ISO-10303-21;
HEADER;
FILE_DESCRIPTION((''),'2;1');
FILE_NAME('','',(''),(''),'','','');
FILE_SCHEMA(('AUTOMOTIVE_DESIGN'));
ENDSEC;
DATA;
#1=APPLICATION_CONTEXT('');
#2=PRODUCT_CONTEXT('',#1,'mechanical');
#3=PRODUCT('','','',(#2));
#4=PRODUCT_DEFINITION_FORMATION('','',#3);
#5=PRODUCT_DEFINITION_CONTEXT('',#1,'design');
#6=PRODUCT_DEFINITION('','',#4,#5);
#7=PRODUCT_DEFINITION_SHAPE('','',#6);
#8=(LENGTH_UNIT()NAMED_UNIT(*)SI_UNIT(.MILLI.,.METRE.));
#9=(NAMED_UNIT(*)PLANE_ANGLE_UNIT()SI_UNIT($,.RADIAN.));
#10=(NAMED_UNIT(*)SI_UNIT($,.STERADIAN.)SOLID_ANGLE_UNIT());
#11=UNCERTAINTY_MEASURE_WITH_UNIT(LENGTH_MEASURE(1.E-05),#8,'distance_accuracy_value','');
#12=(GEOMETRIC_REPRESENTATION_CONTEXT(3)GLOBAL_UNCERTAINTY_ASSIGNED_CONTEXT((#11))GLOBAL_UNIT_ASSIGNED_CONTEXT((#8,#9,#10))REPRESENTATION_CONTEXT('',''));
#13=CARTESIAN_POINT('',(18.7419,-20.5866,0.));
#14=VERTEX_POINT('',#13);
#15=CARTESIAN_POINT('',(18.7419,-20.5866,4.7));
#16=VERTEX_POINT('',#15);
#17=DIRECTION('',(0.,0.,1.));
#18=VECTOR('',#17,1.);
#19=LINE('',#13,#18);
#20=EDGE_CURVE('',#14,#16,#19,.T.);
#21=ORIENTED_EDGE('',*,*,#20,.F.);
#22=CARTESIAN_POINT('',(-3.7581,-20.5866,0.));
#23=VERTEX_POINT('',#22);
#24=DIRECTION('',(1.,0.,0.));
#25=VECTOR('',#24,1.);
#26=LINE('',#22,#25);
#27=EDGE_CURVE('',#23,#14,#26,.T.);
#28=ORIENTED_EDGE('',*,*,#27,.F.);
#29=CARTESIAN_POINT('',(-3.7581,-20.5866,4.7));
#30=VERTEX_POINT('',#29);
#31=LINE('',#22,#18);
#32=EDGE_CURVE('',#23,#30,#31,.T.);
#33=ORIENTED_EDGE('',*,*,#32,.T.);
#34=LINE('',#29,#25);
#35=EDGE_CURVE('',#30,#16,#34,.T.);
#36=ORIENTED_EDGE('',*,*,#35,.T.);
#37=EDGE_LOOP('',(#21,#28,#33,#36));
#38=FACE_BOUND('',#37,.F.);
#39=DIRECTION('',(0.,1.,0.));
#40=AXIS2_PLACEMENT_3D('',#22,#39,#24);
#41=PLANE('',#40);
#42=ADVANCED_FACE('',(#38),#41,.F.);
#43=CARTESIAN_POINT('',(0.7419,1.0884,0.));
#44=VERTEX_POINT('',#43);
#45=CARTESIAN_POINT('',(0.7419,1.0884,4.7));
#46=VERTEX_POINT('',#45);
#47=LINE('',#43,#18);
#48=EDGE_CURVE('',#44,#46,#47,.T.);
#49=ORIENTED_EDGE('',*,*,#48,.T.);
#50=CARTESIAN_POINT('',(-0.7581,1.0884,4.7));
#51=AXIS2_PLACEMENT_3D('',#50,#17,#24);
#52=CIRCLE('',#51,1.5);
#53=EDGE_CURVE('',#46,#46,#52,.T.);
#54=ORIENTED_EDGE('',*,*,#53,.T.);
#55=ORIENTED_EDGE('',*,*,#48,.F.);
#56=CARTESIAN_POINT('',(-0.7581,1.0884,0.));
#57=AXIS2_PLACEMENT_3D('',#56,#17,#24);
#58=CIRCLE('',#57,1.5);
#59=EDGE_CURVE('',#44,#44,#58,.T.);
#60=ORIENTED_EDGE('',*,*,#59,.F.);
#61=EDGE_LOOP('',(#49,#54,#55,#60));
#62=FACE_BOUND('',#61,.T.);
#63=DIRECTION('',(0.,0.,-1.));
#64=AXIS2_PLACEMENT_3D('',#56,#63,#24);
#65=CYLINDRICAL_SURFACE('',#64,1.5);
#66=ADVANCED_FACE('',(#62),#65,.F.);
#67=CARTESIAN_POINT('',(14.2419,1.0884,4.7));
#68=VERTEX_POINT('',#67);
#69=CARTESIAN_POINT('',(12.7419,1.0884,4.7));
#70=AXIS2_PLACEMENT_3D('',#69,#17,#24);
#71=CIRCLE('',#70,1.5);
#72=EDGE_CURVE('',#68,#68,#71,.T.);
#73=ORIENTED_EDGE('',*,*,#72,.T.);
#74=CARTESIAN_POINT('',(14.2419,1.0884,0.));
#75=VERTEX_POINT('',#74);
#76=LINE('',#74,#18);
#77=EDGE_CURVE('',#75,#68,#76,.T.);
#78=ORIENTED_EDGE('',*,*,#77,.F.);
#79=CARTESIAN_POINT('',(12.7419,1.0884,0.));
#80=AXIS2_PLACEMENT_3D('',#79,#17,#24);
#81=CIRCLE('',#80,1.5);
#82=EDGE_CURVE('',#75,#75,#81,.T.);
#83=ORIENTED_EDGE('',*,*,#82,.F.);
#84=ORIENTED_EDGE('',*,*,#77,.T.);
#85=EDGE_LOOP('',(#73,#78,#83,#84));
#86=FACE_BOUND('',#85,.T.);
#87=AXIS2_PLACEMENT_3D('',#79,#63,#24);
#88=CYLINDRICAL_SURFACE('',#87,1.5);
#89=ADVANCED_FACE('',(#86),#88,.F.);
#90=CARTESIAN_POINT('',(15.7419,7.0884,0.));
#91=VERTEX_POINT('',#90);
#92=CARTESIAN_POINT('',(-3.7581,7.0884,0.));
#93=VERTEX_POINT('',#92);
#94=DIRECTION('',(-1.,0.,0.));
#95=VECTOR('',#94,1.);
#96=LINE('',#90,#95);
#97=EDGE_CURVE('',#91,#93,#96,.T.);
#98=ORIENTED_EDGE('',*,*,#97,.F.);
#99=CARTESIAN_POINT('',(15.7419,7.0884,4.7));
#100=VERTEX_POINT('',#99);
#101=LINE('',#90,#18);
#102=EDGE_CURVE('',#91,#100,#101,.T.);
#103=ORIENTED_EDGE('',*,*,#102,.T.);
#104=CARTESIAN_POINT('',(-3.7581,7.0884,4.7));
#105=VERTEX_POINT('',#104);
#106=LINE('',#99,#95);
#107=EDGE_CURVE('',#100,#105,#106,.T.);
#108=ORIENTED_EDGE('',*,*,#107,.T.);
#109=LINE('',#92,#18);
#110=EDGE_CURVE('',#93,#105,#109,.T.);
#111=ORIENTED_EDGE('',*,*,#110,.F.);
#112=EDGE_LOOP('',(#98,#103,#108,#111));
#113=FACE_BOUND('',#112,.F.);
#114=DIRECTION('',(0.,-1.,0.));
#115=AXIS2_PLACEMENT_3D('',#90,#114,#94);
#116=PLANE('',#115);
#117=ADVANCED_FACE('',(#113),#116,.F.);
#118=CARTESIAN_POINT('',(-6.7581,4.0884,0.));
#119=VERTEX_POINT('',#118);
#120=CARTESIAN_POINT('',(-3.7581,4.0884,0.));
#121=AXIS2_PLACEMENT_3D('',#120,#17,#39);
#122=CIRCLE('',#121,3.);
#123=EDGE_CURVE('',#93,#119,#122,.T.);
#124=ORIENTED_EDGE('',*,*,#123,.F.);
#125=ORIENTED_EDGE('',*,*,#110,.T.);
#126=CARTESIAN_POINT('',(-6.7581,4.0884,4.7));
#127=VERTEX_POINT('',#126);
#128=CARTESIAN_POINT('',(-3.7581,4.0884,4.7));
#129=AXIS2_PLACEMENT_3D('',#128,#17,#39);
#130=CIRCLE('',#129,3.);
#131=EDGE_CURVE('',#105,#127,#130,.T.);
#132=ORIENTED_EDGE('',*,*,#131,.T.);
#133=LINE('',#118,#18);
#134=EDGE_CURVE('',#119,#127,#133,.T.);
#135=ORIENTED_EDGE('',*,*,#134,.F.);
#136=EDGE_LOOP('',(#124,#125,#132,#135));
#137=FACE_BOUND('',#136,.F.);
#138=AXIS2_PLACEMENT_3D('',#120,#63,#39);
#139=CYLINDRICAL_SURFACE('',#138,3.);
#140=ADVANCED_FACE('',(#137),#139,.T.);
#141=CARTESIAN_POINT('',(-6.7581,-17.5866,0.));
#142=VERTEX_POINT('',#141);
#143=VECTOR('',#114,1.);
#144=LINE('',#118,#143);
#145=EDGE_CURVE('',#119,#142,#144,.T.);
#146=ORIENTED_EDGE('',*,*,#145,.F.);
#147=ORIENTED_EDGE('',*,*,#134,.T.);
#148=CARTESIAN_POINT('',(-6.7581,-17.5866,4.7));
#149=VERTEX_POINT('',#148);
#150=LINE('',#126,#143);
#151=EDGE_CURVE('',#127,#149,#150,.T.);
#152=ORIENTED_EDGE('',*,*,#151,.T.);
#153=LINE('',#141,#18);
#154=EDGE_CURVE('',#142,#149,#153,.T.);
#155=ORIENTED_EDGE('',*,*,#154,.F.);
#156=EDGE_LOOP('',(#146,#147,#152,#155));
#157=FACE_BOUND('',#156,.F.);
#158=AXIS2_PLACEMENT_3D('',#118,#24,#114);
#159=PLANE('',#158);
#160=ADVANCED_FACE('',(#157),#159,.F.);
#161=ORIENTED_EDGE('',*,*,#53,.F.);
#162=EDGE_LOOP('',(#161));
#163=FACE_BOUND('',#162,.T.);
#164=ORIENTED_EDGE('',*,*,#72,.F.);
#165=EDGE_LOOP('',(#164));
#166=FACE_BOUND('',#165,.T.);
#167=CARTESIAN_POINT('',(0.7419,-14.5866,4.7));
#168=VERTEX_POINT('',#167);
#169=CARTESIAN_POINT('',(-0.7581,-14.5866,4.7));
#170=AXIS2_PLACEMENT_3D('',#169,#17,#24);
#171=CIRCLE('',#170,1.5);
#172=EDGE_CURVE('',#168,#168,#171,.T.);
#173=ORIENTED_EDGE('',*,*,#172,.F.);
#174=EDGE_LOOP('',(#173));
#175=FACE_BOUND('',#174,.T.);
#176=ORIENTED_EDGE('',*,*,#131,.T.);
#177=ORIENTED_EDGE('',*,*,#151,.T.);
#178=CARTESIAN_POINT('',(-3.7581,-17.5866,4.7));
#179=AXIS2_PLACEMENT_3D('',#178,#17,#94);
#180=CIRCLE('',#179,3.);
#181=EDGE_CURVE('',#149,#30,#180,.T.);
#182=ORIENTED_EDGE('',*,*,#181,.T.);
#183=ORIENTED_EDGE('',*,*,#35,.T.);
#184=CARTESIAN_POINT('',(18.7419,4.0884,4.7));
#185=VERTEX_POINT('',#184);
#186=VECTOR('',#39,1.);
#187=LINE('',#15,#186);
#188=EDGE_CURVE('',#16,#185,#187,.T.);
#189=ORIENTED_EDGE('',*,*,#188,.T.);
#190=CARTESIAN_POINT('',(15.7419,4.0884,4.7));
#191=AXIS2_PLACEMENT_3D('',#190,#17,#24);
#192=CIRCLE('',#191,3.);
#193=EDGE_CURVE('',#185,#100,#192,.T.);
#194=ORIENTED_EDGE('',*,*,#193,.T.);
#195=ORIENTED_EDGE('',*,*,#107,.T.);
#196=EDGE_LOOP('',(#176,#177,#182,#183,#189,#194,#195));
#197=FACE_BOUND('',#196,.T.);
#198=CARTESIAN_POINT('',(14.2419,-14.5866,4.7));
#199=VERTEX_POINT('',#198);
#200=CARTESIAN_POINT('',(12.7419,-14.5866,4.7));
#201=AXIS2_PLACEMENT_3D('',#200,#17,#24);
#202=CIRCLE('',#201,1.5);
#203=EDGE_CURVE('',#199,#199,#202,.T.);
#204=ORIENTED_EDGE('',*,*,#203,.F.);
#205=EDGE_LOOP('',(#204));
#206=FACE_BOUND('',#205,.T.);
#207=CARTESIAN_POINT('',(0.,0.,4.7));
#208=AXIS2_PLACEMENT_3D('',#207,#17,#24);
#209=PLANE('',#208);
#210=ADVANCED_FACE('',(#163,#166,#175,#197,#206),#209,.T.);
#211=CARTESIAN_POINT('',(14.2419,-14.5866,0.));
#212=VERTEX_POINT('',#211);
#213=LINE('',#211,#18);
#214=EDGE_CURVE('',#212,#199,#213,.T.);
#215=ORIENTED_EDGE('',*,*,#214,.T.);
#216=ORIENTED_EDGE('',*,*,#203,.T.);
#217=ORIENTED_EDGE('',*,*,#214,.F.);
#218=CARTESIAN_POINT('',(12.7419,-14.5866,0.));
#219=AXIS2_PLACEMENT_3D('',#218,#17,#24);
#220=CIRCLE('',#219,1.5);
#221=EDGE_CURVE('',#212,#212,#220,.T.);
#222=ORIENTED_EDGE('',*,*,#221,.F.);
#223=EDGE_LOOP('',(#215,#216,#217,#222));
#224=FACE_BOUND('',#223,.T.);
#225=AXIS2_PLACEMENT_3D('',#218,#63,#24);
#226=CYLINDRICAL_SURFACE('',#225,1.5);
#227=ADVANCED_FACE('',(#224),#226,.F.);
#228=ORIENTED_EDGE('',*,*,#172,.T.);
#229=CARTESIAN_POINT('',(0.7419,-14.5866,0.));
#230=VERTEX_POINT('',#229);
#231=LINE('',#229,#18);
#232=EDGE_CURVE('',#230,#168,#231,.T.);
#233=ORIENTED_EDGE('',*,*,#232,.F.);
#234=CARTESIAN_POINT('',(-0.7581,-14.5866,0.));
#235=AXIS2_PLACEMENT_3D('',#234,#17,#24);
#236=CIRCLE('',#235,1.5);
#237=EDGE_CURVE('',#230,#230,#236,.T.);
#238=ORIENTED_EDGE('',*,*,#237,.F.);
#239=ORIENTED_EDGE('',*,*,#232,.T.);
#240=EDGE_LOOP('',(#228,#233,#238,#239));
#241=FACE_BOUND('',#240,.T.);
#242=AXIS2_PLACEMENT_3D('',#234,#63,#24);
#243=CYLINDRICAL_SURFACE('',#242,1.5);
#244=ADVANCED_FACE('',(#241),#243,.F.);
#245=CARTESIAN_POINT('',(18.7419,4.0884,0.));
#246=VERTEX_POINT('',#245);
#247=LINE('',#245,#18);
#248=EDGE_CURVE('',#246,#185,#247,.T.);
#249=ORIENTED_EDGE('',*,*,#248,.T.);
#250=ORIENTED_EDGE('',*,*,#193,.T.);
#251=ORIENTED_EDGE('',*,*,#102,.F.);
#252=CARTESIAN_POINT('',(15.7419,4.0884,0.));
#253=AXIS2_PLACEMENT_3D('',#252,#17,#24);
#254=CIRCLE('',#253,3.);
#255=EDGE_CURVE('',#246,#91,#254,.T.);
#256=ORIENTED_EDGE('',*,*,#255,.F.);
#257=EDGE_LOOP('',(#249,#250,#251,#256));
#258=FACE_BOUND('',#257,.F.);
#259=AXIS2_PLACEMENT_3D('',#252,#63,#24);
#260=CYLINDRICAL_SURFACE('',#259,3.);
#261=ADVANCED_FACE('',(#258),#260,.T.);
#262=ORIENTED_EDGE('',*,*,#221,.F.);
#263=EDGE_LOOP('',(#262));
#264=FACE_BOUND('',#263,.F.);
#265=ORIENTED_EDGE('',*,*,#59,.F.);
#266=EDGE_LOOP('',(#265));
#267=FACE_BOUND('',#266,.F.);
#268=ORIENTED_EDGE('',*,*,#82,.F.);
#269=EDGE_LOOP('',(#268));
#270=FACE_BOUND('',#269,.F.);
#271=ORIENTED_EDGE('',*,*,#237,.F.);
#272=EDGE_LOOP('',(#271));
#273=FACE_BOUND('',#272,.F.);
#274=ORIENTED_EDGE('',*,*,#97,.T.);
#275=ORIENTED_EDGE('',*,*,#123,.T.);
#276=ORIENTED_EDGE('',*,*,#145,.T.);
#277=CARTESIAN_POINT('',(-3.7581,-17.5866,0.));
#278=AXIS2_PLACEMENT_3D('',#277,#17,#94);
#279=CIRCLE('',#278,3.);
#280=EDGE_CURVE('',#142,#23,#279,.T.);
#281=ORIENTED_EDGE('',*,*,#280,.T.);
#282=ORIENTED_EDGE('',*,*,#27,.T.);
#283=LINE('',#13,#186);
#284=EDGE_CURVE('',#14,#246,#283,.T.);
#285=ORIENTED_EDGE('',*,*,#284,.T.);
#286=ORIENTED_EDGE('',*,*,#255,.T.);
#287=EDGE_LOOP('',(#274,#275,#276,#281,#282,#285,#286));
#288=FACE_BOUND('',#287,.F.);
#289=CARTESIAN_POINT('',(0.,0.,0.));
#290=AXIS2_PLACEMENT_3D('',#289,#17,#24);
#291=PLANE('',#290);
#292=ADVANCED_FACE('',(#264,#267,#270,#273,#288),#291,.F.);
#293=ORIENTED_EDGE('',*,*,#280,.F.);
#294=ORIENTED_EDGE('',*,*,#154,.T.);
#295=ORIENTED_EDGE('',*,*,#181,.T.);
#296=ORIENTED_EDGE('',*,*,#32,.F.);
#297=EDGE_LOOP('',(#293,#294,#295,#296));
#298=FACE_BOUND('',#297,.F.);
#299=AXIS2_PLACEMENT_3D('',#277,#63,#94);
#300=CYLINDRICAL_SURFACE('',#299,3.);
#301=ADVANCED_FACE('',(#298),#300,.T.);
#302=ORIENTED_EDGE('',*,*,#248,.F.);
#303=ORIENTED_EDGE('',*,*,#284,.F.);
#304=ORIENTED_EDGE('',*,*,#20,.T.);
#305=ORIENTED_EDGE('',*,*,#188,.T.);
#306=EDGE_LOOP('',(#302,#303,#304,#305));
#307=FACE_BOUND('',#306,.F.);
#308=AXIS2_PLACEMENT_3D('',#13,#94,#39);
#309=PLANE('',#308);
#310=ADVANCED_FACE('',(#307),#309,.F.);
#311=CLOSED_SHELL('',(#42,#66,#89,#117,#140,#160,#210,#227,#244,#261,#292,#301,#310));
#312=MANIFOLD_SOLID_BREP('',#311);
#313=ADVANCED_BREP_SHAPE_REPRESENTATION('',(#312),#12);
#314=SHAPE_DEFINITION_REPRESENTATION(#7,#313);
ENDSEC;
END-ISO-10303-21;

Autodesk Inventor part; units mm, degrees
ref_plane "YZ Plane" through (0, 0, 0) normal (1, 0, 0) x (0, 1, 0)
ref_plane "XZ Plane" through (0, 0, 0) normal (0, 1, 0) x (-1, 0, 0)
ref_plane "XY Plane" through (0, 0, 0) normal (0, 0, 1) x (1, 0, 0)
sketch "Szkic1" plane through (0, 0, 0) normal (0, 0, 1) x (1, 0, 0)
  arc A0 (18.7419, 4.0884) -> (15.7419, 7.0884) centre (15.7419, 4.0884) ccw
  line L0 (15.7419, 7.0884) -> (-3.7581, 7.0884)
  arc A1 (-3.7581, 7.0884) -> (-6.7581, 4.0884) centre (-3.7581, 4.0884) ccw
  line L1 (-6.7581, 4.0884) -> (-6.7581, -17.5866)
  arc A2 (-6.7581, -17.5866) -> (-3.7581, -20.5866) centre (-3.7581, -17.5866) ccw
  line L2 (-3.7581, -20.5866) -> (18.7419, -20.5866)
  line L3 (18.7419, -20.5866) -> (18.7419, 4.0884)
  circle A3 centre (12.7419, -14.5866) radius 1.5
  circle A4 centre (12.7419, 1.0884) radius 1.5
  circle A5 centre (-0.7581, 1.0884) radius 1.5
  circle A6 centre (-0.7581, -14.5866) radius 1.5
  point P0 (0, 0)
  point P1 (0, 0)
extrude "Wyciągnięcie proste1" add sketch "Szkic1" along normal blind 4.7
properties part number "3DP_ABS_Induction_Sensor_Mount_Spacer"
